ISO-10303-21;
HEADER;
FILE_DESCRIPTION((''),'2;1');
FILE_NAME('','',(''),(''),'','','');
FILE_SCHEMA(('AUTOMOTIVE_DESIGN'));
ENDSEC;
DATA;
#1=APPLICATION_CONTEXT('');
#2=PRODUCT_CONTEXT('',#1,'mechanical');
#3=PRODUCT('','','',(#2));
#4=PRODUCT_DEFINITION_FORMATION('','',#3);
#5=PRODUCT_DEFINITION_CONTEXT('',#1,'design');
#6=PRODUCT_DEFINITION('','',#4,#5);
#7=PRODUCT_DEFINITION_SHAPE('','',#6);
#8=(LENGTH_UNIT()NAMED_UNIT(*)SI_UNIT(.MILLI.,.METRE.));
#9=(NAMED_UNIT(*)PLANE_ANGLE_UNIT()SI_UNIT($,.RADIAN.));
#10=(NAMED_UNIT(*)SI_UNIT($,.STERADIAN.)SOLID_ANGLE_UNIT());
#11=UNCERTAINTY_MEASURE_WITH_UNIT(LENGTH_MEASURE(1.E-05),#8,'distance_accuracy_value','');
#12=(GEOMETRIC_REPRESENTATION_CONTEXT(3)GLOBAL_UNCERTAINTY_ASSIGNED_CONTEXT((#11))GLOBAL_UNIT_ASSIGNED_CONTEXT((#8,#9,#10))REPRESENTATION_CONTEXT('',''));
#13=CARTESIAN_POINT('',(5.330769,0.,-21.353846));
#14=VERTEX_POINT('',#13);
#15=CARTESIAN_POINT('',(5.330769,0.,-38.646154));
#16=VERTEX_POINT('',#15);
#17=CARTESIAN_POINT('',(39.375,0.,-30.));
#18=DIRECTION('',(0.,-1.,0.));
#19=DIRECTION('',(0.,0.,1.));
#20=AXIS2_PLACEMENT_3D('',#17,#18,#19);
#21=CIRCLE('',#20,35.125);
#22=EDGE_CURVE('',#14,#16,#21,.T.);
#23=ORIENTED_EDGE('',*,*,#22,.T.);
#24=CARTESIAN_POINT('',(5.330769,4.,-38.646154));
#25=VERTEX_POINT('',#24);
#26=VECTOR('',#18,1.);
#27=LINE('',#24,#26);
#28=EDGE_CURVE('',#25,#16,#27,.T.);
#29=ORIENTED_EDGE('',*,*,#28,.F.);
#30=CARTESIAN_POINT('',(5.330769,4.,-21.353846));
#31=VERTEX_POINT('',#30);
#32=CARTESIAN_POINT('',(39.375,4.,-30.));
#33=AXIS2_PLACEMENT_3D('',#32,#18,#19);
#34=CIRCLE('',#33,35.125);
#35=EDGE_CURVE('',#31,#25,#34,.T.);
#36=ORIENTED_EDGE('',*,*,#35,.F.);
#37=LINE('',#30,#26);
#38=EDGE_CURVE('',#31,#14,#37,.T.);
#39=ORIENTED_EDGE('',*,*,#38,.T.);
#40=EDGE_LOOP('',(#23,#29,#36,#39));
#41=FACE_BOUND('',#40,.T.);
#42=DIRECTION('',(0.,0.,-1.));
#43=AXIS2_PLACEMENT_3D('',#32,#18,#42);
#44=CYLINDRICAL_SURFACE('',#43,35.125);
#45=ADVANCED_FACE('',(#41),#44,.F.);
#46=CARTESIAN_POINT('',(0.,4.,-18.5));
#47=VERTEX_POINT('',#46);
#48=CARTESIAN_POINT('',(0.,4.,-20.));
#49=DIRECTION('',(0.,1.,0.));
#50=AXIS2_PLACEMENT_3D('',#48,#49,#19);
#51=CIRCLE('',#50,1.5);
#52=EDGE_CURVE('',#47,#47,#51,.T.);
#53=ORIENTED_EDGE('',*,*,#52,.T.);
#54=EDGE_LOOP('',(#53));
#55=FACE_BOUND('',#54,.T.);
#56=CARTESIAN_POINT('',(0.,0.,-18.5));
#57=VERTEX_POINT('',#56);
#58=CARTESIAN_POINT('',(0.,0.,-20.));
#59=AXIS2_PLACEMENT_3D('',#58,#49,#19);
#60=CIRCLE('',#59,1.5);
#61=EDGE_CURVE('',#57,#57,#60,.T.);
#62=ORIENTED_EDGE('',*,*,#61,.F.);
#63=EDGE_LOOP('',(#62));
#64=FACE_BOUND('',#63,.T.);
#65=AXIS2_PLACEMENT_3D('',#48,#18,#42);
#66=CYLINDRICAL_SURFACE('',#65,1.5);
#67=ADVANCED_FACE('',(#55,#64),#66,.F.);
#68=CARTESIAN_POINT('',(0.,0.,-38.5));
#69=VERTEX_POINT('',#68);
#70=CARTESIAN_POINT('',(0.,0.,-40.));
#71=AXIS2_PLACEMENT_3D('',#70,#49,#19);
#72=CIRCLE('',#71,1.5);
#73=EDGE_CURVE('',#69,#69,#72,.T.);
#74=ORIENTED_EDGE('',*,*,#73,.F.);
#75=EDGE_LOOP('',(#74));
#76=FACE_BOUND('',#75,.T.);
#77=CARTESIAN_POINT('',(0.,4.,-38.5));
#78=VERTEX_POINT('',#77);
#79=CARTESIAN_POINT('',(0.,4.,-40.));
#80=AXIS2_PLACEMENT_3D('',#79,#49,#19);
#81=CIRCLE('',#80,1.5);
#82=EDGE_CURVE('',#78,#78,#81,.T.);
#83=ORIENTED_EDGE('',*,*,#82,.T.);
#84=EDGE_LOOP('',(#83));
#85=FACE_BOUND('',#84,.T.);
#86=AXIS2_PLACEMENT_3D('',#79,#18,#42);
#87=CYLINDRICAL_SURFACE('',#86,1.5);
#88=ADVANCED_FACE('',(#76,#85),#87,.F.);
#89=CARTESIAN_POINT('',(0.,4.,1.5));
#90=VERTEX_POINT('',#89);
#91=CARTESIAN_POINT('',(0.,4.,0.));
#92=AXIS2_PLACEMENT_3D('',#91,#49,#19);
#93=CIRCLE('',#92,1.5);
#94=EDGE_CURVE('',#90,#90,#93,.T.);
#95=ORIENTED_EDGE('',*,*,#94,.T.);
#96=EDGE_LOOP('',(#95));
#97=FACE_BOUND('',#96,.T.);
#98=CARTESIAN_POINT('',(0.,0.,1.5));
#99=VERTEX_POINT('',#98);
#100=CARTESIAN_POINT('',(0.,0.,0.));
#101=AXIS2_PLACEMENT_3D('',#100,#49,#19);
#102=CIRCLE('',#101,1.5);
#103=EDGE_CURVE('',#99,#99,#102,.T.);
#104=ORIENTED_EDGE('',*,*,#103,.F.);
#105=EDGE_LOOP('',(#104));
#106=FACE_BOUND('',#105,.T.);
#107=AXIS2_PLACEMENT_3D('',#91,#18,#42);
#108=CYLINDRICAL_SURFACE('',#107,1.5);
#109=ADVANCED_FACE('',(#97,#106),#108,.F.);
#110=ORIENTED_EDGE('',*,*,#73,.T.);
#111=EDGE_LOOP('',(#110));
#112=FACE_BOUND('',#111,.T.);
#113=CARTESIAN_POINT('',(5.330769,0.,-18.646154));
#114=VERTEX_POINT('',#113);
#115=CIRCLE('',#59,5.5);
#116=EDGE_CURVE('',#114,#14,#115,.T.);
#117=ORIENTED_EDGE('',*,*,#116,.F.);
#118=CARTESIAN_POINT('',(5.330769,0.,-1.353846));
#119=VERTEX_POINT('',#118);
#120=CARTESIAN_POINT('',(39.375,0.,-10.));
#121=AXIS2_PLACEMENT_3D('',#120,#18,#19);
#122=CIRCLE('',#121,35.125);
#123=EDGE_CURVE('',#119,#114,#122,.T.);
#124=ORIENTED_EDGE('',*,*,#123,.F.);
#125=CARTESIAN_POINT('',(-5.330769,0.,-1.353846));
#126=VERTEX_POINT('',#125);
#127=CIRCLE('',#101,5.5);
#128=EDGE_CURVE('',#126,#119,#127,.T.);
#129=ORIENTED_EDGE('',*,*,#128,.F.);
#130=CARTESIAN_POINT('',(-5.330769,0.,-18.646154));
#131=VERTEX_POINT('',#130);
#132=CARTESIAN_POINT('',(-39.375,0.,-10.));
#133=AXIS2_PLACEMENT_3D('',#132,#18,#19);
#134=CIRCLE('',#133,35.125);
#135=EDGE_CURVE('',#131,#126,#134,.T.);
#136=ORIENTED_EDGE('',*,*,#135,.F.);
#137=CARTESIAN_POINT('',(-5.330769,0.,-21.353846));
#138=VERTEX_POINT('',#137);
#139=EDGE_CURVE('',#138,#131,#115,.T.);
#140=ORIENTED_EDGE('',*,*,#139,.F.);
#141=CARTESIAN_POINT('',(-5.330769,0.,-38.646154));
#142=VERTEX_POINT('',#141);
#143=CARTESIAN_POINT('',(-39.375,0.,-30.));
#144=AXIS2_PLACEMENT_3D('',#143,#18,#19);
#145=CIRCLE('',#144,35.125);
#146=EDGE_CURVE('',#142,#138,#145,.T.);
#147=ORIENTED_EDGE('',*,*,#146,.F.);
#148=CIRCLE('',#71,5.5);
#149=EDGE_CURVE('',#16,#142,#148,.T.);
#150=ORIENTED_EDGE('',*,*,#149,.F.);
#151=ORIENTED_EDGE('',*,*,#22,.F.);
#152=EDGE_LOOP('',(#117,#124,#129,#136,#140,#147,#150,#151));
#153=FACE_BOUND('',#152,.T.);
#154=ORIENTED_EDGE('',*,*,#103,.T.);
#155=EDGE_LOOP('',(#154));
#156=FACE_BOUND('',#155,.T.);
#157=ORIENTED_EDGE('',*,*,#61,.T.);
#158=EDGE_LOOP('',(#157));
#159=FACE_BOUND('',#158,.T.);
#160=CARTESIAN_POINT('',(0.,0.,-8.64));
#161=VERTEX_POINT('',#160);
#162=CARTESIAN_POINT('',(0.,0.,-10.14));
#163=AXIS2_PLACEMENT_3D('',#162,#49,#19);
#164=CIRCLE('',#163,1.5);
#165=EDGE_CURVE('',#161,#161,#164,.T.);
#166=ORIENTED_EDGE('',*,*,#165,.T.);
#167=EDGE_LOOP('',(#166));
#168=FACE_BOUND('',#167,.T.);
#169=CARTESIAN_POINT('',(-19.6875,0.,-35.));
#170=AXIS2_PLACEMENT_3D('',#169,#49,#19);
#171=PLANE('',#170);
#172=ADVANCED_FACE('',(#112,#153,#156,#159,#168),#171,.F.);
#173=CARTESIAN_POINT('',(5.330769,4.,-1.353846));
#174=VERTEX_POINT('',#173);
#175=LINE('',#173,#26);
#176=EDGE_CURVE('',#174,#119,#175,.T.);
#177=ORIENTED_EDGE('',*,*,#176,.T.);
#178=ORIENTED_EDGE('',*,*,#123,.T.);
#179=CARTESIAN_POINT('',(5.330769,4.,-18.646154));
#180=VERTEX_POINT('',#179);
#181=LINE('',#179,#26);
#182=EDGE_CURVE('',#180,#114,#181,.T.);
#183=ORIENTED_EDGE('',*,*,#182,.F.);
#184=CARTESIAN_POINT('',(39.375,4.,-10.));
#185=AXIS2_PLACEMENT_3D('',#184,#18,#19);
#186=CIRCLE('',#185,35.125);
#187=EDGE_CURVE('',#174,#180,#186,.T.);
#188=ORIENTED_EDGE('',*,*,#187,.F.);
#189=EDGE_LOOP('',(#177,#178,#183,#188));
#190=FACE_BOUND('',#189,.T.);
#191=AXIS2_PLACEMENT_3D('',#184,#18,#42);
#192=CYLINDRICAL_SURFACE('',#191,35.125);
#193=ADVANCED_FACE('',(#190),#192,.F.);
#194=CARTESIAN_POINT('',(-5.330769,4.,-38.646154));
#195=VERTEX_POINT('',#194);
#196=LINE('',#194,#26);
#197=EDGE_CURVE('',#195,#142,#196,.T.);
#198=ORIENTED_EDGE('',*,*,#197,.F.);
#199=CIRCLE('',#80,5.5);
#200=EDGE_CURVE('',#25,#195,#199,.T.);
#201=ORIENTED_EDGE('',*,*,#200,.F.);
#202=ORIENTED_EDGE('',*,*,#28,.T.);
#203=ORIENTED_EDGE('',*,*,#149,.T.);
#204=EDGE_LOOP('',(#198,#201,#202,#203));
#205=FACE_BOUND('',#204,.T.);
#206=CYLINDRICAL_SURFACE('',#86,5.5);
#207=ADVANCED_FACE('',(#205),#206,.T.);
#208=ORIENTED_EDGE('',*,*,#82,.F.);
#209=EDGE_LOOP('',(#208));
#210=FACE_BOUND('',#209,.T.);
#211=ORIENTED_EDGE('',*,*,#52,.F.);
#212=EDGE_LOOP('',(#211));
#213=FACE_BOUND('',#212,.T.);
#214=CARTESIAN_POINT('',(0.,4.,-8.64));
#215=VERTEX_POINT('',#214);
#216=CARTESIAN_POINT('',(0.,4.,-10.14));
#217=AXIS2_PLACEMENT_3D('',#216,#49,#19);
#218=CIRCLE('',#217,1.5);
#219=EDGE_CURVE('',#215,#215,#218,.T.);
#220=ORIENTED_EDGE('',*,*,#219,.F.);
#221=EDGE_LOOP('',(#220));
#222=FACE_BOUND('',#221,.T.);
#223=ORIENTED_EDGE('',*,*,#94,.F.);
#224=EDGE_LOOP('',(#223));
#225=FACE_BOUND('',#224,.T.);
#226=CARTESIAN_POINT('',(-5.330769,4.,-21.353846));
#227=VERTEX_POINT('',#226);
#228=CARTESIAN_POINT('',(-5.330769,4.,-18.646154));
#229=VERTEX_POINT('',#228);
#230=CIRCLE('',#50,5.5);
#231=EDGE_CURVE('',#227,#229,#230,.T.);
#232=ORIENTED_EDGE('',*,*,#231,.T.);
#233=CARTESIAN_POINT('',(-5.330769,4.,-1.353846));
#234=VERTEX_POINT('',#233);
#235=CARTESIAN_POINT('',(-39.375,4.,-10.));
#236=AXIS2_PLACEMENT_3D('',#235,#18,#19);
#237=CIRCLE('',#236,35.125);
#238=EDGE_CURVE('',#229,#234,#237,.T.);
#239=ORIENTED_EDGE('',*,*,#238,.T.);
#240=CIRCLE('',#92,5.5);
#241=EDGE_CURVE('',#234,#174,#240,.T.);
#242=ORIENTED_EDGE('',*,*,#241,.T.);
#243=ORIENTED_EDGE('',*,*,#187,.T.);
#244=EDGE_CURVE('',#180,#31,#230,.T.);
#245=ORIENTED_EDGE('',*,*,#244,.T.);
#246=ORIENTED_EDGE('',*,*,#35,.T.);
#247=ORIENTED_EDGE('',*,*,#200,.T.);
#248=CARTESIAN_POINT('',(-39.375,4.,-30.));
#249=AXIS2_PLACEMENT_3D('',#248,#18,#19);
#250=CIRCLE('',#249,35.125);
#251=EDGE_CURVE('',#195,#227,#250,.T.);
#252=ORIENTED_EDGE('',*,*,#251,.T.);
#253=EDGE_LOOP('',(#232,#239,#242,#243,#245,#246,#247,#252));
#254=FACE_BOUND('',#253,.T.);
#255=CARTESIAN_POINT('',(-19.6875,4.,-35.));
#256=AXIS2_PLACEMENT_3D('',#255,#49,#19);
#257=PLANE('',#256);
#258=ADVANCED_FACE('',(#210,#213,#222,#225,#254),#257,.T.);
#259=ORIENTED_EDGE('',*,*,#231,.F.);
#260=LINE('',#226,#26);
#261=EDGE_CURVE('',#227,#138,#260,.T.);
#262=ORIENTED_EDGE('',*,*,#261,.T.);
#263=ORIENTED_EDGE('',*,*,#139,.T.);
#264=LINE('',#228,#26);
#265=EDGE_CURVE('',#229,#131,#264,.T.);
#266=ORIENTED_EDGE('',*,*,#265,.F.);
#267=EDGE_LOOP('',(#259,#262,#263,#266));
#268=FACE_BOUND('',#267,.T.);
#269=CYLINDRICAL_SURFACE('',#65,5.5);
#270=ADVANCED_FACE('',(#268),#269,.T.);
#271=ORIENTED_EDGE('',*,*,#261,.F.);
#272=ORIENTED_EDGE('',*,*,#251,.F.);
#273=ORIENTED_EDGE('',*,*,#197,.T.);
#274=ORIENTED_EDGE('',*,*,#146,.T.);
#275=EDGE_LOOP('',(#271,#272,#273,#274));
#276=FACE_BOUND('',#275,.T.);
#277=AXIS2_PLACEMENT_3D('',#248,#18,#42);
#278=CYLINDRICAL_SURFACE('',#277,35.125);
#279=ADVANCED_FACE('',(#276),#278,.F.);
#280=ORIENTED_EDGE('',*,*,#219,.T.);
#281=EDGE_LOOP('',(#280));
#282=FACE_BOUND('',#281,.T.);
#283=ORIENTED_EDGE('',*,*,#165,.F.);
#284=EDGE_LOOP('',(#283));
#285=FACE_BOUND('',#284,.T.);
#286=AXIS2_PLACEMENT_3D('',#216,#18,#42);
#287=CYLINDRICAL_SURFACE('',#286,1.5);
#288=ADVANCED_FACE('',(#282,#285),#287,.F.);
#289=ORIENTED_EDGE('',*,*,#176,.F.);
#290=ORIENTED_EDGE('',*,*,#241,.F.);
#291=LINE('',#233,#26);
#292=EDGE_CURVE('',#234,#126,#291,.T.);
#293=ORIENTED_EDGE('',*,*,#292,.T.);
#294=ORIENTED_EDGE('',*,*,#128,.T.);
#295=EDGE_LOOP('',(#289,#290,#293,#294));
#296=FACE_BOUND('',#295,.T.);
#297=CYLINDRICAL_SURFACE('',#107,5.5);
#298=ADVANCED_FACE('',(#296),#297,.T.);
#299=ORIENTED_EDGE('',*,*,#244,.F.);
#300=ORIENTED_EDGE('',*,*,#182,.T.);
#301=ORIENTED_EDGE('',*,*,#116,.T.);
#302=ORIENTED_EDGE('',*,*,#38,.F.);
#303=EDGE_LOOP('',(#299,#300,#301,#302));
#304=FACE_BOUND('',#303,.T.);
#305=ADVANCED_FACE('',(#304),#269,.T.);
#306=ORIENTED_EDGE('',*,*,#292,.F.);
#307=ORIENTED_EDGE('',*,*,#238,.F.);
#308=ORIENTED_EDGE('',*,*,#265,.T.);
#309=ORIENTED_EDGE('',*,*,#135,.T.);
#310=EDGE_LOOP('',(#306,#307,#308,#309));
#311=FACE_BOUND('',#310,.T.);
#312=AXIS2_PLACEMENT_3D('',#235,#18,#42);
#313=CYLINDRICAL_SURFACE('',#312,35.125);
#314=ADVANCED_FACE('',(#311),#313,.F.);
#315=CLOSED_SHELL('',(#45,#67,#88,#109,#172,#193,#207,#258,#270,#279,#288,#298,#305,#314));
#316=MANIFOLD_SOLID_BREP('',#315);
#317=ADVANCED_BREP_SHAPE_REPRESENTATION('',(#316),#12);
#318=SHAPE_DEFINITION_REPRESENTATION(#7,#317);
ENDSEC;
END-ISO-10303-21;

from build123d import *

# Parameters (mm, degrees)
SKETCH1_R           = 1.5
BOSS_EXTRUDE1_DEPTH = 4


with BuildPart() as part:
    # Sketch1 → Boss-Extrude1 (new body)
    with BuildSketch(Plane(origin=(0, 0, 0), x_dir=(1, 0, 0), z_dir=(0, 1, 0))):
        with BuildLine():
            ThreePointArc((-5.330769231, 1.353846154), (0, -5.5), (5.330769231, 1.353846154))
            ThreePointArc((5.330769231, 1.353846154), (4.25, 10), (5.330769231, 18.646153846))
            ThreePointArc((5.330769231, 18.646153846), (5.5, 20), (5.330769231, 21.353846154))
            ThreePointArc((5.330769231, 21.353846154), (4.25, 30), (5.330769231, 38.646153846))
            ThreePointArc((5.330769231, 38.646153846), (0, 45.5), (-5.330769231, 38.646153846))
            ThreePointArc((-5.330769231, 38.646153846), (-4.25, 30), (-5.330769231, 21.353846154))
            ThreePointArc((-5.330769231, 21.353846154), (-5.5, 20), (-5.330769231, 18.646153846))
            ThreePointArc((-5.330769231, 18.646153846), (-4.25, 10), (-5.330769231, 1.353846154))
        make_face()
        Circle(SKETCH1_R, mode=Mode.SUBTRACT)
        with Locations((0, 40)):
            Circle(SKETCH1_R, mode=Mode.SUBTRACT)
        with Locations((0, 10.14)):
            Circle(SKETCH1_R, mode=Mode.SUBTRACT)
        with Locations((0, 20)):
            Circle(SKETCH1_R, mode=Mode.SUBTRACT)
    extrude(amount=BOSS_EXTRUDE1_DEPTH)


solid = part.part
